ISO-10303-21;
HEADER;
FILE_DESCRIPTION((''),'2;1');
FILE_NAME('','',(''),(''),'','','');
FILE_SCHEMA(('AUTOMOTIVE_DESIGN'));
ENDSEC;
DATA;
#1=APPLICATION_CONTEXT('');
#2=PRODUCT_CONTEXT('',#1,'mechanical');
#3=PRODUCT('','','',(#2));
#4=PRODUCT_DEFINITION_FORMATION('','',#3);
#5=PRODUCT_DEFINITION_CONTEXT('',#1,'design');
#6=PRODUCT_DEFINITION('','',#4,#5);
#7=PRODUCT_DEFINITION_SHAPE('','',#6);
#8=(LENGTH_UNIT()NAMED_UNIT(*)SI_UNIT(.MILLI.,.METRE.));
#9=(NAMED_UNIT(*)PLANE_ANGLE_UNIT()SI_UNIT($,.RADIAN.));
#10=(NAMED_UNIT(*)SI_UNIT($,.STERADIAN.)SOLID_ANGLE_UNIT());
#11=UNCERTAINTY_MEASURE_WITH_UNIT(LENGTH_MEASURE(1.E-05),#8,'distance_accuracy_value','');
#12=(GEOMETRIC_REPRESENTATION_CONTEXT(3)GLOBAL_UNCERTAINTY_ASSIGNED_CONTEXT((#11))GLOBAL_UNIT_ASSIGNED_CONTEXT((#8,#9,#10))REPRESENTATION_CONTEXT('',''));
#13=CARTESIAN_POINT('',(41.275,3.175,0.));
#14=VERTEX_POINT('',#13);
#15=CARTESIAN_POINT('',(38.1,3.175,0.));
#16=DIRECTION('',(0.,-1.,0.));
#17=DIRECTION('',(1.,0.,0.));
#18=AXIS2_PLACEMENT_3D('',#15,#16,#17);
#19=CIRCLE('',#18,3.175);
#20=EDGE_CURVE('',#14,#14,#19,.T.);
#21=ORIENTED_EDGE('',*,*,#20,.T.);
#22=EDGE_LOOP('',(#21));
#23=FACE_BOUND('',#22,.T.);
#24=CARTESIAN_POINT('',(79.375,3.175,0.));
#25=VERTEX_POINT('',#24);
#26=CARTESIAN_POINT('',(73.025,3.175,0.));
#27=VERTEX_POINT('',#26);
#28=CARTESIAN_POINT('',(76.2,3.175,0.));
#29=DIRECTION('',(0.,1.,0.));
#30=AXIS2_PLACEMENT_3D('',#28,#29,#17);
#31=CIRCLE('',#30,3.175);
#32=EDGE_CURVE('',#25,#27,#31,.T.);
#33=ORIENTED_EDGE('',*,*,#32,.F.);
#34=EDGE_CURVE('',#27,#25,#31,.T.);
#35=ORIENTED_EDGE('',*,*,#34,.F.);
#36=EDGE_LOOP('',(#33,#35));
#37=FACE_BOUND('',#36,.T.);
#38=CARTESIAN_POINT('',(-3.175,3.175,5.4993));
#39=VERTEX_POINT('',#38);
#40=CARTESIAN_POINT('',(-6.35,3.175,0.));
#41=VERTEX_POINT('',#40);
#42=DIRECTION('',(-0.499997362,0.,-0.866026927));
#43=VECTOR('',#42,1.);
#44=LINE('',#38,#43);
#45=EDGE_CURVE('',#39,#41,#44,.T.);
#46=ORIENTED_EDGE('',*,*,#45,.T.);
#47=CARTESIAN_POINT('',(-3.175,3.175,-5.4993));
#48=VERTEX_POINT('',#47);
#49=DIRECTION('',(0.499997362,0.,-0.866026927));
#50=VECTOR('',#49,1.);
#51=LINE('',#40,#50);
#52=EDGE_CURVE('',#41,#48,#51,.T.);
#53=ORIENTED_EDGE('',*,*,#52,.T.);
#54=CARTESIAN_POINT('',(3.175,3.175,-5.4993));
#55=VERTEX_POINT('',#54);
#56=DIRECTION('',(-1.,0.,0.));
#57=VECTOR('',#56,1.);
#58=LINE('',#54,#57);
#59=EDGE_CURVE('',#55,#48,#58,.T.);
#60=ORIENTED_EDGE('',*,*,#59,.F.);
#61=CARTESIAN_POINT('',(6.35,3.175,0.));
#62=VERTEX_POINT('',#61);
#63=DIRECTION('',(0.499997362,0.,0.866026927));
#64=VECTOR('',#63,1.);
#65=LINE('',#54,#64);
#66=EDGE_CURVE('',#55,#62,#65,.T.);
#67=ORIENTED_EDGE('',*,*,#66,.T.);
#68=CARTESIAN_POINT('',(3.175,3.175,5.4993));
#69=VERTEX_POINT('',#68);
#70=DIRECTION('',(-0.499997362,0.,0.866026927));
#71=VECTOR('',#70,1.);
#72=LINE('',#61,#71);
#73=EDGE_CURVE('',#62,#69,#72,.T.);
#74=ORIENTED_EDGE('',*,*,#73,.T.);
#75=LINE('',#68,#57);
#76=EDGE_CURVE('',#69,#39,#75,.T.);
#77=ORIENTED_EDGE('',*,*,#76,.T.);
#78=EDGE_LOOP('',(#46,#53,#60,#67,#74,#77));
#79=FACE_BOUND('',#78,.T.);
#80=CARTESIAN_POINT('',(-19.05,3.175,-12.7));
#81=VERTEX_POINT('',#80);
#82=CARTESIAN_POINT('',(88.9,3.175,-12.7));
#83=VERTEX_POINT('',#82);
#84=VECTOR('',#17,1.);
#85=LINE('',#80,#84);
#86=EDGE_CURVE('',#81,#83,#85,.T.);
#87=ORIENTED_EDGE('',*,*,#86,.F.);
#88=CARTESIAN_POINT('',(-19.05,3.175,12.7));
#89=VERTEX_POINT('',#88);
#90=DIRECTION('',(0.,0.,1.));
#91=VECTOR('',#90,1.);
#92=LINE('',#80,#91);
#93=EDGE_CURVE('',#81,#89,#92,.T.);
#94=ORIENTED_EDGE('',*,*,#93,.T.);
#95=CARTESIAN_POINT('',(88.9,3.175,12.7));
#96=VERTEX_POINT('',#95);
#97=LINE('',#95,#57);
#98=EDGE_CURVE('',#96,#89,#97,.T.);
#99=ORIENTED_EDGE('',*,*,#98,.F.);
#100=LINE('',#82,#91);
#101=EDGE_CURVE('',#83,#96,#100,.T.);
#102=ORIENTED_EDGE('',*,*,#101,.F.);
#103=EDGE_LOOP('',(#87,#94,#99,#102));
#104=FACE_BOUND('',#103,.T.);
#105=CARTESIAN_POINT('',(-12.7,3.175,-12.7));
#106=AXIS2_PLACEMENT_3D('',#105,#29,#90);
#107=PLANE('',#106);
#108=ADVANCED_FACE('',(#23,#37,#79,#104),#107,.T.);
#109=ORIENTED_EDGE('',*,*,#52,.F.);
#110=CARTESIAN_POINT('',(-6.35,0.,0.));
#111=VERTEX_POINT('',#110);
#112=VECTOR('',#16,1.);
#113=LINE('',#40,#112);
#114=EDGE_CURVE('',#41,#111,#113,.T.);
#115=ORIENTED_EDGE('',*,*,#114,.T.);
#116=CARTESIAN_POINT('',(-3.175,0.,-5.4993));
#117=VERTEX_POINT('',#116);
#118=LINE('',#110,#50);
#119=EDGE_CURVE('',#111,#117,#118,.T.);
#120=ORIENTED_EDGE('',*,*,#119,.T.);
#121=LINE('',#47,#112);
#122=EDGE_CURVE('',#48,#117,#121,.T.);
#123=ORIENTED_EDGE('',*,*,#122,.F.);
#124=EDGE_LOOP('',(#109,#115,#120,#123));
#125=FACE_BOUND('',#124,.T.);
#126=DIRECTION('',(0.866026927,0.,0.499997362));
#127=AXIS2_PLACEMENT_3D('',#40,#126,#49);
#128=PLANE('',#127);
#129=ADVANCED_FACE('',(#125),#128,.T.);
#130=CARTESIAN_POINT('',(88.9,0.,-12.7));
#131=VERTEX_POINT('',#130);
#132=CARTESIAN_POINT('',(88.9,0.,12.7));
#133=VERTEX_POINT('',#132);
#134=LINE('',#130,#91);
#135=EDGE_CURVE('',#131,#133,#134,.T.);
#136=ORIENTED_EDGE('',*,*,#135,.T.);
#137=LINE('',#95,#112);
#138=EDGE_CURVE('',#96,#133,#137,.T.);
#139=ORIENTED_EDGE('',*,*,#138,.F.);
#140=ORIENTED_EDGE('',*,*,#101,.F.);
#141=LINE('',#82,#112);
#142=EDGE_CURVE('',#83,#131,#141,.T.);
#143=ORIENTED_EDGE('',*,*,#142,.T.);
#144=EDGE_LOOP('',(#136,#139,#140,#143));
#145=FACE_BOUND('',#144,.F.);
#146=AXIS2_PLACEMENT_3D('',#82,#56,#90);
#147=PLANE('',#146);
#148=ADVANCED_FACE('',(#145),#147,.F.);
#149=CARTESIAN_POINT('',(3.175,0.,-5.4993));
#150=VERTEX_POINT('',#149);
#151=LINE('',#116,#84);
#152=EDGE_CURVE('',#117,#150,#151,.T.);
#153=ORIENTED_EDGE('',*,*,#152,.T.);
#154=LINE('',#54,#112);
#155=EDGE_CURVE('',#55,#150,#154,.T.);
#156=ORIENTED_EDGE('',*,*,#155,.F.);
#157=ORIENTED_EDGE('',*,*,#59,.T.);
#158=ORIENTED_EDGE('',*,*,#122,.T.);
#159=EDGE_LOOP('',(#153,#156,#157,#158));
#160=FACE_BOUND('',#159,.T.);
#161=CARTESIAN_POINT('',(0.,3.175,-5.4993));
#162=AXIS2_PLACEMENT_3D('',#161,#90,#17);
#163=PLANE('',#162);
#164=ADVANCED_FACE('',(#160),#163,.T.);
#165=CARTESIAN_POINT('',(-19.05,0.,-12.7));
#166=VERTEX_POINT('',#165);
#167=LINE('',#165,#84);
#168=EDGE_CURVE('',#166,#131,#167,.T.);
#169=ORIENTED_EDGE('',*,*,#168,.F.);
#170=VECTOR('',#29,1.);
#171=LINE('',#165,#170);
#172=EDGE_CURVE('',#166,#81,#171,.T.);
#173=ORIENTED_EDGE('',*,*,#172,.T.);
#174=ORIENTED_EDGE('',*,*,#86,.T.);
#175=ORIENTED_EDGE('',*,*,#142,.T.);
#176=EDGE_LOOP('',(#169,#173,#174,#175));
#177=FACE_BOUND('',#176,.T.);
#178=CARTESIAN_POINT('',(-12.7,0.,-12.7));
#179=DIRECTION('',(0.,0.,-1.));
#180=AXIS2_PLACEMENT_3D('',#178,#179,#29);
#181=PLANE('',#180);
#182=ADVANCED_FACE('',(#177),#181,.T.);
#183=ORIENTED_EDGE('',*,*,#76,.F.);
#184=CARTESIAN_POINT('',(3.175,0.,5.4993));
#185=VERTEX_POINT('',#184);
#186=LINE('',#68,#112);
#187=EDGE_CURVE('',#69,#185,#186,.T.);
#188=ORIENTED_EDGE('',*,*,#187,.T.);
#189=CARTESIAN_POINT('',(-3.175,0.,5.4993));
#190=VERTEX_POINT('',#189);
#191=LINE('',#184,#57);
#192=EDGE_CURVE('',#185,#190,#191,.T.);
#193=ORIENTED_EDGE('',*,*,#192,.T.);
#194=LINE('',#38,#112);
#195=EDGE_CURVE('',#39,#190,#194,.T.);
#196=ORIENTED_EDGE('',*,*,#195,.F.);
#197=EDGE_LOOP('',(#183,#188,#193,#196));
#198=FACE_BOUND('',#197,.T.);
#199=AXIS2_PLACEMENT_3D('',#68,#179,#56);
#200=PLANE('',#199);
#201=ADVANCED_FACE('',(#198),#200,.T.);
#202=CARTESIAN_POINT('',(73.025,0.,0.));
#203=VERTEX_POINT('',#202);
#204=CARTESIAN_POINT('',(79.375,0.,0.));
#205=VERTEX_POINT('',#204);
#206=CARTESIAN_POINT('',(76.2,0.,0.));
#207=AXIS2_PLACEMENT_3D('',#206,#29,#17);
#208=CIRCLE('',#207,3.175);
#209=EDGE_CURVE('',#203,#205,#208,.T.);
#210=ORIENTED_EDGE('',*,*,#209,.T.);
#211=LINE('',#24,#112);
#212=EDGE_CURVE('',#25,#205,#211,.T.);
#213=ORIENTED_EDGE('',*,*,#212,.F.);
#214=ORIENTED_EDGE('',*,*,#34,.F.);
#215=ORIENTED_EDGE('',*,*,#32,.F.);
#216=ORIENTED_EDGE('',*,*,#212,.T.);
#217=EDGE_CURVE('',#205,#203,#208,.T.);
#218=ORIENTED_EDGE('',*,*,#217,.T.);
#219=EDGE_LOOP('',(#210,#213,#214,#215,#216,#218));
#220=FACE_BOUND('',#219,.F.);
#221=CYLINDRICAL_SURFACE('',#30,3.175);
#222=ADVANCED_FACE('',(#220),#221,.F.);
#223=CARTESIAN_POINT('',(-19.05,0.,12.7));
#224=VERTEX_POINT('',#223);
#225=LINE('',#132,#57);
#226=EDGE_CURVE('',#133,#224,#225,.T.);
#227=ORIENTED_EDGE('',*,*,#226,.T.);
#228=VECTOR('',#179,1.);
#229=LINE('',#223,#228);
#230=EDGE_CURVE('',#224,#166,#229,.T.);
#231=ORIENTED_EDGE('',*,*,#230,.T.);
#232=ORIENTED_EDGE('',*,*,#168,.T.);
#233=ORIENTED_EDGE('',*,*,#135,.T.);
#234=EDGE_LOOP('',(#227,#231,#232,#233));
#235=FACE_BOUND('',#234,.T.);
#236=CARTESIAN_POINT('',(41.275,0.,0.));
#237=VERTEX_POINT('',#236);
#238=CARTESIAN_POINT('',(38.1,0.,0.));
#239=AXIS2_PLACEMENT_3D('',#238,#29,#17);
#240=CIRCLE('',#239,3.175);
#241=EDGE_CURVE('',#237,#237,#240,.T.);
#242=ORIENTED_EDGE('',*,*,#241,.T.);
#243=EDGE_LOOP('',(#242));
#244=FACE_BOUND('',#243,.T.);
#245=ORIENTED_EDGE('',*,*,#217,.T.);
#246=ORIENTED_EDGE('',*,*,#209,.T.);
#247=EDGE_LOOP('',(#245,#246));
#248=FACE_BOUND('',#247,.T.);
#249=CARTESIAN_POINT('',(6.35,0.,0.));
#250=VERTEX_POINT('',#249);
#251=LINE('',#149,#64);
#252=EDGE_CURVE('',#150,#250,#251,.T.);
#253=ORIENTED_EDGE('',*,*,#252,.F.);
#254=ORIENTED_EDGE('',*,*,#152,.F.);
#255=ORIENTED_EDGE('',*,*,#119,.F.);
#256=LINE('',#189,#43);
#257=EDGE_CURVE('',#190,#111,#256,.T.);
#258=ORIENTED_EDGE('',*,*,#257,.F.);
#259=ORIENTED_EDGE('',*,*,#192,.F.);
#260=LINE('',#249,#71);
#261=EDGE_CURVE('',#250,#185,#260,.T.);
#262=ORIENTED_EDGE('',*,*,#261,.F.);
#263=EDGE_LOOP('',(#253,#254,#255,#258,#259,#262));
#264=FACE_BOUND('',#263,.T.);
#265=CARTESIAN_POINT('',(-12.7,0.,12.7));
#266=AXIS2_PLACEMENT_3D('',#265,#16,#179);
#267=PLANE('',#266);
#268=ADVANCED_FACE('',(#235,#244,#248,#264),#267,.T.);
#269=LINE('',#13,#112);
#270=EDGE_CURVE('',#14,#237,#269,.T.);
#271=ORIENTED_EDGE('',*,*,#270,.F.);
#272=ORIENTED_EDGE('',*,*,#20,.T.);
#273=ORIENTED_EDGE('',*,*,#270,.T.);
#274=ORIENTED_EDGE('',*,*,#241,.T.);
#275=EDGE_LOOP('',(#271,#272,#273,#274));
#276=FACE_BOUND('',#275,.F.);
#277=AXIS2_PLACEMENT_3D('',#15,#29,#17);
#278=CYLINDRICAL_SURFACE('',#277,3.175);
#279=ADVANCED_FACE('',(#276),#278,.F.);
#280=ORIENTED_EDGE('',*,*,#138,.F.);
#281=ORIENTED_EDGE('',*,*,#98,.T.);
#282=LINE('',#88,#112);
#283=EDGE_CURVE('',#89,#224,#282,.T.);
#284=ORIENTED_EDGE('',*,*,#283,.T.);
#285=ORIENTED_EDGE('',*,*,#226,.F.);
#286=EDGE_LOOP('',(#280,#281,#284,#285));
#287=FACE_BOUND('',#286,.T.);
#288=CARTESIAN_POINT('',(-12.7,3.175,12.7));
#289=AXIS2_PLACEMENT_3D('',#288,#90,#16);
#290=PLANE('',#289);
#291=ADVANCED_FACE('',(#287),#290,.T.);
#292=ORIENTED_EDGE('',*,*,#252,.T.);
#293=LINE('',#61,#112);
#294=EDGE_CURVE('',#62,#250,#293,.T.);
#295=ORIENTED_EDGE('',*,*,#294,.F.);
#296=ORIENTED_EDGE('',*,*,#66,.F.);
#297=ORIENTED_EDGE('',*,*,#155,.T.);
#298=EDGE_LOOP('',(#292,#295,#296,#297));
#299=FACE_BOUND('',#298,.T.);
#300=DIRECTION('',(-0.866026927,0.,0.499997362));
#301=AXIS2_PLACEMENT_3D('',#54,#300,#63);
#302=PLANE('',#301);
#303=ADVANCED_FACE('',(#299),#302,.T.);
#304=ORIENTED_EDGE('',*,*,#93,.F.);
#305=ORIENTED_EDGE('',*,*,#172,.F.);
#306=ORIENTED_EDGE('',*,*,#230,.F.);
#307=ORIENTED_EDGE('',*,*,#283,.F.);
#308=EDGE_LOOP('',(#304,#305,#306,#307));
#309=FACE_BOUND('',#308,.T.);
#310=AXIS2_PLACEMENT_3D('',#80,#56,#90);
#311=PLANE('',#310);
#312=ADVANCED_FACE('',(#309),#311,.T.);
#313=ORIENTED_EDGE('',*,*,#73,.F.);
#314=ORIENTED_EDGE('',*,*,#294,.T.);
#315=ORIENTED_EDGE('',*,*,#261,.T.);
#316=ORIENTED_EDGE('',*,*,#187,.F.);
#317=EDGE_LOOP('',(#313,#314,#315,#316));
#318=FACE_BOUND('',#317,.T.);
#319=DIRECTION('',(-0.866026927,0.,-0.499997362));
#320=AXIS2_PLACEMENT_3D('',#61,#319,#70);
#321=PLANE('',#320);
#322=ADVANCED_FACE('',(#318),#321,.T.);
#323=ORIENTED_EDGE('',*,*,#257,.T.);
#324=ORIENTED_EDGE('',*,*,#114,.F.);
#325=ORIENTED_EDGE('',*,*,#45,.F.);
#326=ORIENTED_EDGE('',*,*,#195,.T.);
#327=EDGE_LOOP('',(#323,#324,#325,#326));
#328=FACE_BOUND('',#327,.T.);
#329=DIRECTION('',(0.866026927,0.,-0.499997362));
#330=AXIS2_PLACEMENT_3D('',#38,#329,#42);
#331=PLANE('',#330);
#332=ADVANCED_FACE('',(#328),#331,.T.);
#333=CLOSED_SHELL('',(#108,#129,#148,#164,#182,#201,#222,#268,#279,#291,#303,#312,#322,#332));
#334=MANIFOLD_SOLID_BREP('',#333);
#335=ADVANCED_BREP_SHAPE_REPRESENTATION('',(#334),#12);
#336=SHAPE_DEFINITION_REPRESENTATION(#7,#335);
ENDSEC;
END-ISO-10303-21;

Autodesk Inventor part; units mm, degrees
ref_plane "YZ Plane" through (0, 0, 0) normal (1, 0, 0) x (0, 1, 0)
ref_plane "XZ Plane" through (0, 0, 0) normal (0, 1, 0) x (-1, 0, 0)
ref_plane "XY Plane" through (0, 0, 0) normal (0, 0, 1) x (1, 0, 0)
sketch "Sketch1" plane through (0, 0, 0) normal (0, 1, 0) x (-1, 0, 0)
  line L0 (50.8, 12.7) -> (-50.8, 12.7)
  line L1 (-50.8, 12.7) -> (-50.8, -12.7)
  line L2 (-50.8, -12.7) -> (50.8, -12.7)
  line L3 (50.8, -12.7) -> (50.8, 12.7)
  line L4 (50.8, 12.7) -> (-50.8, -12.7) construction
  line L5 (-50.8, 12.7) -> (50.8, -12.7) construction
  point P0 (0, 0)
  dimension "d0" = 101.6
  dimension "d1" = 25.4
extrude "Extrusion1" add sketch "Sketch1" along normal blind 3.175
sketch "Sketch2" plane through (0, 3.175, 0) normal (0, 1, 0) x (1, 0, 0)
  line L0 (-50.8, 12.7) -> (-50.8, -12.7) projected
  circle A0 centre (0, 0) radius 6.35
  line L1 (0, 0) -> (0, 6.35)
  line L2 (0, 0) -> (6.35, 0)
  line L3 (6.35, 0) -> (3.175, -5.4993)
  line L4 (3.175, -5.4993) -> (-3.175, -5.4993)
  line L5 (-3.175, -5.4993) -> (-6.35, 0)
  line L6 (-6.35, 0) -> (-3.175, 5.4993)
  line L7 (-3.175, 5.4993) -> (3.175, 5.4993)
  line L8 (3.175, 5.4993) -> (6.35, 0)
  dimension "d4" = 12.7
extrude "Extrusion2" cut sketch "Sketch2" against normal blind 3.175 contours L3 L4 L5 L6 L7 L1 L2 | L2 L1 L7 L8
sketch "Sketch3" plane through (0, 3.175, 0) normal (0, 1, 0) x (1, 0, 0)
  line L0 (50.8, 12.7) -> (-50.8, 12.7) projected
  line L1 (-50.8, 12.7) -> (-50.8, -12.7) projected
  line L2 (0, 0) -> (-38.1, 0)
  line L3 (-38.1, 0) -> (38.1, 0)
  circle A0 centre (-38.1, 0) radius 3.175
  circle A1 centre (38.1, 0) radius 3.175
  dimension "d7" = 38.1
  dimension "d8" = 76.2
  dimension "d9" = 0
  dimension "d10" = 6.35
  dimension "d11" = 6.35
extrude "Extrusion3" cut sketch "Sketch3" against normal blind 3.175
sketch "Sketch4" plane through (0, 3.175, 0) normal (0, 1, 0) x (1, 0, 0)
  circle A0 centre (-38.1, 0) radius 3.175 projected
  line L0 (-50.8, 12.7) -> (-12.7, 12.7)
  line L1 (-12.7, 12.7) -> (-12.7, -12.7)
  line L2 (-12.7, -12.7) -> (-50.8, -12.7)
  line L3 (-50.8, -12.7) -> (-50.8, 12.7)
  point P0 (0, 0)
  dimension "d14" = 38.1
  dimension "d15" = 25.4
extrude "Extrusion4" cut sketch "Sketch4" against normal blind 25.4
sketch "Sketch5" plane through (0, 3.175, 0) normal (0, 1, 0) x (1, 0, 0)
  circle A0 centre (38.1, 0) radius 3.175 projected
  line L0 (3.175, -5.4993) -> (-3.175, -5.4993) projected
  line L1 (38.1, 0) -> (76.2, 0)
  line L2 (38.1, 0) -> (76.2, 0) construction
  circle A1 centre (76.2, 0) radius 3.175
  line L3 (50.8, 12.7) -> (88.9, 12.7)
  line L4 (88.9, 12.7) -> (88.9, -12.7)
  line L5 (88.9, -12.7) -> (50.8, -12.7)
  line L6 (50.8, -12.7) -> (50.8, 12.7)
  point P0 (0, 0)
  dimension "d18" = 38.1
  dimension "d19" = 0
  dimension "d20" = 6.35
  dimension "d21" = 38.1
  dimension "d22" = 25.4
extrude "Extrusion5" add sketch "Sketch5" against normal blind 3.175 contours L6 L3 L4 L5
sketch "Sketch6" plane through (-12.7, 3.175, -12.7) normal (-1, 0, 0) x (0, 0, 1)
  line L0 (25.4, -3.175) -> (0, -3.175) projected
  line L1 (25.4, 0) -> (25.4, -3.175) projected
  line L2 (0, 0) -> (25.4, 0) projected
  line L3 (0, -3.175) -> (0, 0) projected
  point P0 (12.7, -3.175)
extrude "Extrusion6" add sketch "Sketch6" along normal blind 6.35
properties part number "ArmBrace"
